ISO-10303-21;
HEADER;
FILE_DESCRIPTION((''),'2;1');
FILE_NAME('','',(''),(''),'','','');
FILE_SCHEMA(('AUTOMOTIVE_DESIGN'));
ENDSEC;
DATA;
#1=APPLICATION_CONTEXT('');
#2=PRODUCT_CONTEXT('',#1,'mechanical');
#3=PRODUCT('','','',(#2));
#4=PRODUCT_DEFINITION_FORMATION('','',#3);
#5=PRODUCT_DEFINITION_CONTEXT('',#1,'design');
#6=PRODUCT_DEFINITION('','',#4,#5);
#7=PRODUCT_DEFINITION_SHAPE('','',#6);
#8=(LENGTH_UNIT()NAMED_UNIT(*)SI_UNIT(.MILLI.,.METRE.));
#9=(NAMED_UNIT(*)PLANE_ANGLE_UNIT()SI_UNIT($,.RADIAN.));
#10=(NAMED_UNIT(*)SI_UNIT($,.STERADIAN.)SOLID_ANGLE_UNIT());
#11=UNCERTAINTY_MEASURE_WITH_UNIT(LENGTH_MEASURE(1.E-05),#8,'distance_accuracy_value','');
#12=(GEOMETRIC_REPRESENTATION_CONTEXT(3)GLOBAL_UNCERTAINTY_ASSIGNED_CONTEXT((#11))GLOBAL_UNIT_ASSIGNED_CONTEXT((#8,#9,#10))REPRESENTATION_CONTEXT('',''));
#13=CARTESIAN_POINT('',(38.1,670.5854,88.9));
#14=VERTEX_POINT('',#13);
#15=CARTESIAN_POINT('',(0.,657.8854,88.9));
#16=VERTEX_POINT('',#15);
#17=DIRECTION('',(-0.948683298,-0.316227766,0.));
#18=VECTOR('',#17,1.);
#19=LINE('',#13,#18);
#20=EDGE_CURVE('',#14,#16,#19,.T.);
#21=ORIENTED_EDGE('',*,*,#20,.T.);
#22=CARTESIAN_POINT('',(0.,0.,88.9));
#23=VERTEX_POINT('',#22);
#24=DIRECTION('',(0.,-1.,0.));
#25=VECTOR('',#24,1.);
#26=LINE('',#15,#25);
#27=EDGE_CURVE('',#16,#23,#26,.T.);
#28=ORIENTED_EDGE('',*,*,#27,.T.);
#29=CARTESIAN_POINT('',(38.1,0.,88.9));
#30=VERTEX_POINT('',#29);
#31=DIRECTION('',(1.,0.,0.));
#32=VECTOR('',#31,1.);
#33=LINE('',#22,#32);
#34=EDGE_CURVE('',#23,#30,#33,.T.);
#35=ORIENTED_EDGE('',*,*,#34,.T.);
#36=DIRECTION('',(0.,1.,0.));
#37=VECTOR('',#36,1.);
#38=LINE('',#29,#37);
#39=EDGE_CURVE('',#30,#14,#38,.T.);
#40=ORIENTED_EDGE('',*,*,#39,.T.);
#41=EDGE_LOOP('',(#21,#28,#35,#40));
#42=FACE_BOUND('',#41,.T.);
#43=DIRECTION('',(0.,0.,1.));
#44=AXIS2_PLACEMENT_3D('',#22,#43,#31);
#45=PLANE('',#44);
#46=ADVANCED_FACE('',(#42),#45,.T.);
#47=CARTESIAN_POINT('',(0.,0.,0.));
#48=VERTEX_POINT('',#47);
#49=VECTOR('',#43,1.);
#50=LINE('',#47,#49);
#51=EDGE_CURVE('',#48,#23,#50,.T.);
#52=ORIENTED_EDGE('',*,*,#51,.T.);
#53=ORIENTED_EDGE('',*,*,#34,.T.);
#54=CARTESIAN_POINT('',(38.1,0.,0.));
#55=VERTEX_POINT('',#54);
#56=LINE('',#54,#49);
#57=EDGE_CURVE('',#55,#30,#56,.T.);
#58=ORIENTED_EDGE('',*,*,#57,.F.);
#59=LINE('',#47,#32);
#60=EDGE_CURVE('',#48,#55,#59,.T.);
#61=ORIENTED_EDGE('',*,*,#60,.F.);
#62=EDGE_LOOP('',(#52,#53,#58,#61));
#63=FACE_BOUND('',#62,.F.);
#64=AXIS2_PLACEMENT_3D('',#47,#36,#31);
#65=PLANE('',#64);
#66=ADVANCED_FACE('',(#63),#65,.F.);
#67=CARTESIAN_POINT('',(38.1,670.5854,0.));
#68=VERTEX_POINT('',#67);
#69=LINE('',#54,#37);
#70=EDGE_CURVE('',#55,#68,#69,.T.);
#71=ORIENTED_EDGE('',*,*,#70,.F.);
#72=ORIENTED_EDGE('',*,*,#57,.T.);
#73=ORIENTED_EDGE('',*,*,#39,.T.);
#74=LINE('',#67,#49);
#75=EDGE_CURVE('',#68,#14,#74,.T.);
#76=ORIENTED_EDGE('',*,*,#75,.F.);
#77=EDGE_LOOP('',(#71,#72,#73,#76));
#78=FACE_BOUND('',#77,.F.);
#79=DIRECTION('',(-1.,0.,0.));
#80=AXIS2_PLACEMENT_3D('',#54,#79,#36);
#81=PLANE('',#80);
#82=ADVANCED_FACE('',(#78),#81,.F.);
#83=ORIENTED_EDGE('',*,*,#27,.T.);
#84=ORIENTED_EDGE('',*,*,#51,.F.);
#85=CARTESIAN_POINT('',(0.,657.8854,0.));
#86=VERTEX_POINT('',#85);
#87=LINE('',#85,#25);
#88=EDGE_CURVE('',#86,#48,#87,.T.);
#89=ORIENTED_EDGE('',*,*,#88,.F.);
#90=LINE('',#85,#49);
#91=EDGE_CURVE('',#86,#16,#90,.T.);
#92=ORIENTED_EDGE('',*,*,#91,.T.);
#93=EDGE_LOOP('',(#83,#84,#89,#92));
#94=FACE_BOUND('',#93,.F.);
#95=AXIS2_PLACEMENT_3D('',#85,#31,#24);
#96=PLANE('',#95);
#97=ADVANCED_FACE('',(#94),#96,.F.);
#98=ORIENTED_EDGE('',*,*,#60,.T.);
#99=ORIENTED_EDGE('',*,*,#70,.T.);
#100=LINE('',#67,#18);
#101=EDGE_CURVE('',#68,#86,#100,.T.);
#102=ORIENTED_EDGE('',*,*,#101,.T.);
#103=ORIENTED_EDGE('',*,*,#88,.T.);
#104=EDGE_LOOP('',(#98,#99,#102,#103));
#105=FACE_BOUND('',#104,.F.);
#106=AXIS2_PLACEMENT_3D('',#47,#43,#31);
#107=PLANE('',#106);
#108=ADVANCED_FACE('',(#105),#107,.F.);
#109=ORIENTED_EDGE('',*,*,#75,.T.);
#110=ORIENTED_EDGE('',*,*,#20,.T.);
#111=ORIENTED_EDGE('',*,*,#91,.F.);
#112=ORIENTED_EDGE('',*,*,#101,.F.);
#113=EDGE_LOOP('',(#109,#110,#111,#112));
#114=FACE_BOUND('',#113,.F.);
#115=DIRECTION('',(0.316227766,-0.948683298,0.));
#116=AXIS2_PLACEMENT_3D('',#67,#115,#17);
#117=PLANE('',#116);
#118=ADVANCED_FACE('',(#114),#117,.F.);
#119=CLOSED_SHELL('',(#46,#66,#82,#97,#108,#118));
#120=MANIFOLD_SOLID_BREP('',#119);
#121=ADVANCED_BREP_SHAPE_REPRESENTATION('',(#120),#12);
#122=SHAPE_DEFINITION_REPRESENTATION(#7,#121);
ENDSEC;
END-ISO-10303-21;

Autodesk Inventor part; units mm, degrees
ref_plane "YZ Plane" through (0, 0, 0) normal (1, 0, 0) x (0, 1, 0)
ref_plane "XZ Plane" through (0, 0, 0) normal (0, 1, 0) x (-1, 0, 0)
ref_plane "XY Plane" through (0, 0, 0) normal (0, 0, 1) x (1, 0, 0)
sketch "Sketch1" plane through (0, 0, 0) normal (0, 0, 1) x (1, 0, 0)
  line L0 (0, 0) -> (38.1, 0)
  line L1 (38.1, 0) -> (38.1, 670.5854)
  line L2 (38.1, 670.5854) -> (0, 657.8854)
  line L3 (0, 657.8854) -> (0, 0)
  dimension "d2" = 38.1
  dimension "d5" = 657.8854
  dimension "d6" = 670.5854
extrude "Extrusion1" add sketch "Sketch1" along normal blind 88.9
properties part number "Stud_Between_Top_Plate_And_Rafter_5" material "Wood (Birch)"
